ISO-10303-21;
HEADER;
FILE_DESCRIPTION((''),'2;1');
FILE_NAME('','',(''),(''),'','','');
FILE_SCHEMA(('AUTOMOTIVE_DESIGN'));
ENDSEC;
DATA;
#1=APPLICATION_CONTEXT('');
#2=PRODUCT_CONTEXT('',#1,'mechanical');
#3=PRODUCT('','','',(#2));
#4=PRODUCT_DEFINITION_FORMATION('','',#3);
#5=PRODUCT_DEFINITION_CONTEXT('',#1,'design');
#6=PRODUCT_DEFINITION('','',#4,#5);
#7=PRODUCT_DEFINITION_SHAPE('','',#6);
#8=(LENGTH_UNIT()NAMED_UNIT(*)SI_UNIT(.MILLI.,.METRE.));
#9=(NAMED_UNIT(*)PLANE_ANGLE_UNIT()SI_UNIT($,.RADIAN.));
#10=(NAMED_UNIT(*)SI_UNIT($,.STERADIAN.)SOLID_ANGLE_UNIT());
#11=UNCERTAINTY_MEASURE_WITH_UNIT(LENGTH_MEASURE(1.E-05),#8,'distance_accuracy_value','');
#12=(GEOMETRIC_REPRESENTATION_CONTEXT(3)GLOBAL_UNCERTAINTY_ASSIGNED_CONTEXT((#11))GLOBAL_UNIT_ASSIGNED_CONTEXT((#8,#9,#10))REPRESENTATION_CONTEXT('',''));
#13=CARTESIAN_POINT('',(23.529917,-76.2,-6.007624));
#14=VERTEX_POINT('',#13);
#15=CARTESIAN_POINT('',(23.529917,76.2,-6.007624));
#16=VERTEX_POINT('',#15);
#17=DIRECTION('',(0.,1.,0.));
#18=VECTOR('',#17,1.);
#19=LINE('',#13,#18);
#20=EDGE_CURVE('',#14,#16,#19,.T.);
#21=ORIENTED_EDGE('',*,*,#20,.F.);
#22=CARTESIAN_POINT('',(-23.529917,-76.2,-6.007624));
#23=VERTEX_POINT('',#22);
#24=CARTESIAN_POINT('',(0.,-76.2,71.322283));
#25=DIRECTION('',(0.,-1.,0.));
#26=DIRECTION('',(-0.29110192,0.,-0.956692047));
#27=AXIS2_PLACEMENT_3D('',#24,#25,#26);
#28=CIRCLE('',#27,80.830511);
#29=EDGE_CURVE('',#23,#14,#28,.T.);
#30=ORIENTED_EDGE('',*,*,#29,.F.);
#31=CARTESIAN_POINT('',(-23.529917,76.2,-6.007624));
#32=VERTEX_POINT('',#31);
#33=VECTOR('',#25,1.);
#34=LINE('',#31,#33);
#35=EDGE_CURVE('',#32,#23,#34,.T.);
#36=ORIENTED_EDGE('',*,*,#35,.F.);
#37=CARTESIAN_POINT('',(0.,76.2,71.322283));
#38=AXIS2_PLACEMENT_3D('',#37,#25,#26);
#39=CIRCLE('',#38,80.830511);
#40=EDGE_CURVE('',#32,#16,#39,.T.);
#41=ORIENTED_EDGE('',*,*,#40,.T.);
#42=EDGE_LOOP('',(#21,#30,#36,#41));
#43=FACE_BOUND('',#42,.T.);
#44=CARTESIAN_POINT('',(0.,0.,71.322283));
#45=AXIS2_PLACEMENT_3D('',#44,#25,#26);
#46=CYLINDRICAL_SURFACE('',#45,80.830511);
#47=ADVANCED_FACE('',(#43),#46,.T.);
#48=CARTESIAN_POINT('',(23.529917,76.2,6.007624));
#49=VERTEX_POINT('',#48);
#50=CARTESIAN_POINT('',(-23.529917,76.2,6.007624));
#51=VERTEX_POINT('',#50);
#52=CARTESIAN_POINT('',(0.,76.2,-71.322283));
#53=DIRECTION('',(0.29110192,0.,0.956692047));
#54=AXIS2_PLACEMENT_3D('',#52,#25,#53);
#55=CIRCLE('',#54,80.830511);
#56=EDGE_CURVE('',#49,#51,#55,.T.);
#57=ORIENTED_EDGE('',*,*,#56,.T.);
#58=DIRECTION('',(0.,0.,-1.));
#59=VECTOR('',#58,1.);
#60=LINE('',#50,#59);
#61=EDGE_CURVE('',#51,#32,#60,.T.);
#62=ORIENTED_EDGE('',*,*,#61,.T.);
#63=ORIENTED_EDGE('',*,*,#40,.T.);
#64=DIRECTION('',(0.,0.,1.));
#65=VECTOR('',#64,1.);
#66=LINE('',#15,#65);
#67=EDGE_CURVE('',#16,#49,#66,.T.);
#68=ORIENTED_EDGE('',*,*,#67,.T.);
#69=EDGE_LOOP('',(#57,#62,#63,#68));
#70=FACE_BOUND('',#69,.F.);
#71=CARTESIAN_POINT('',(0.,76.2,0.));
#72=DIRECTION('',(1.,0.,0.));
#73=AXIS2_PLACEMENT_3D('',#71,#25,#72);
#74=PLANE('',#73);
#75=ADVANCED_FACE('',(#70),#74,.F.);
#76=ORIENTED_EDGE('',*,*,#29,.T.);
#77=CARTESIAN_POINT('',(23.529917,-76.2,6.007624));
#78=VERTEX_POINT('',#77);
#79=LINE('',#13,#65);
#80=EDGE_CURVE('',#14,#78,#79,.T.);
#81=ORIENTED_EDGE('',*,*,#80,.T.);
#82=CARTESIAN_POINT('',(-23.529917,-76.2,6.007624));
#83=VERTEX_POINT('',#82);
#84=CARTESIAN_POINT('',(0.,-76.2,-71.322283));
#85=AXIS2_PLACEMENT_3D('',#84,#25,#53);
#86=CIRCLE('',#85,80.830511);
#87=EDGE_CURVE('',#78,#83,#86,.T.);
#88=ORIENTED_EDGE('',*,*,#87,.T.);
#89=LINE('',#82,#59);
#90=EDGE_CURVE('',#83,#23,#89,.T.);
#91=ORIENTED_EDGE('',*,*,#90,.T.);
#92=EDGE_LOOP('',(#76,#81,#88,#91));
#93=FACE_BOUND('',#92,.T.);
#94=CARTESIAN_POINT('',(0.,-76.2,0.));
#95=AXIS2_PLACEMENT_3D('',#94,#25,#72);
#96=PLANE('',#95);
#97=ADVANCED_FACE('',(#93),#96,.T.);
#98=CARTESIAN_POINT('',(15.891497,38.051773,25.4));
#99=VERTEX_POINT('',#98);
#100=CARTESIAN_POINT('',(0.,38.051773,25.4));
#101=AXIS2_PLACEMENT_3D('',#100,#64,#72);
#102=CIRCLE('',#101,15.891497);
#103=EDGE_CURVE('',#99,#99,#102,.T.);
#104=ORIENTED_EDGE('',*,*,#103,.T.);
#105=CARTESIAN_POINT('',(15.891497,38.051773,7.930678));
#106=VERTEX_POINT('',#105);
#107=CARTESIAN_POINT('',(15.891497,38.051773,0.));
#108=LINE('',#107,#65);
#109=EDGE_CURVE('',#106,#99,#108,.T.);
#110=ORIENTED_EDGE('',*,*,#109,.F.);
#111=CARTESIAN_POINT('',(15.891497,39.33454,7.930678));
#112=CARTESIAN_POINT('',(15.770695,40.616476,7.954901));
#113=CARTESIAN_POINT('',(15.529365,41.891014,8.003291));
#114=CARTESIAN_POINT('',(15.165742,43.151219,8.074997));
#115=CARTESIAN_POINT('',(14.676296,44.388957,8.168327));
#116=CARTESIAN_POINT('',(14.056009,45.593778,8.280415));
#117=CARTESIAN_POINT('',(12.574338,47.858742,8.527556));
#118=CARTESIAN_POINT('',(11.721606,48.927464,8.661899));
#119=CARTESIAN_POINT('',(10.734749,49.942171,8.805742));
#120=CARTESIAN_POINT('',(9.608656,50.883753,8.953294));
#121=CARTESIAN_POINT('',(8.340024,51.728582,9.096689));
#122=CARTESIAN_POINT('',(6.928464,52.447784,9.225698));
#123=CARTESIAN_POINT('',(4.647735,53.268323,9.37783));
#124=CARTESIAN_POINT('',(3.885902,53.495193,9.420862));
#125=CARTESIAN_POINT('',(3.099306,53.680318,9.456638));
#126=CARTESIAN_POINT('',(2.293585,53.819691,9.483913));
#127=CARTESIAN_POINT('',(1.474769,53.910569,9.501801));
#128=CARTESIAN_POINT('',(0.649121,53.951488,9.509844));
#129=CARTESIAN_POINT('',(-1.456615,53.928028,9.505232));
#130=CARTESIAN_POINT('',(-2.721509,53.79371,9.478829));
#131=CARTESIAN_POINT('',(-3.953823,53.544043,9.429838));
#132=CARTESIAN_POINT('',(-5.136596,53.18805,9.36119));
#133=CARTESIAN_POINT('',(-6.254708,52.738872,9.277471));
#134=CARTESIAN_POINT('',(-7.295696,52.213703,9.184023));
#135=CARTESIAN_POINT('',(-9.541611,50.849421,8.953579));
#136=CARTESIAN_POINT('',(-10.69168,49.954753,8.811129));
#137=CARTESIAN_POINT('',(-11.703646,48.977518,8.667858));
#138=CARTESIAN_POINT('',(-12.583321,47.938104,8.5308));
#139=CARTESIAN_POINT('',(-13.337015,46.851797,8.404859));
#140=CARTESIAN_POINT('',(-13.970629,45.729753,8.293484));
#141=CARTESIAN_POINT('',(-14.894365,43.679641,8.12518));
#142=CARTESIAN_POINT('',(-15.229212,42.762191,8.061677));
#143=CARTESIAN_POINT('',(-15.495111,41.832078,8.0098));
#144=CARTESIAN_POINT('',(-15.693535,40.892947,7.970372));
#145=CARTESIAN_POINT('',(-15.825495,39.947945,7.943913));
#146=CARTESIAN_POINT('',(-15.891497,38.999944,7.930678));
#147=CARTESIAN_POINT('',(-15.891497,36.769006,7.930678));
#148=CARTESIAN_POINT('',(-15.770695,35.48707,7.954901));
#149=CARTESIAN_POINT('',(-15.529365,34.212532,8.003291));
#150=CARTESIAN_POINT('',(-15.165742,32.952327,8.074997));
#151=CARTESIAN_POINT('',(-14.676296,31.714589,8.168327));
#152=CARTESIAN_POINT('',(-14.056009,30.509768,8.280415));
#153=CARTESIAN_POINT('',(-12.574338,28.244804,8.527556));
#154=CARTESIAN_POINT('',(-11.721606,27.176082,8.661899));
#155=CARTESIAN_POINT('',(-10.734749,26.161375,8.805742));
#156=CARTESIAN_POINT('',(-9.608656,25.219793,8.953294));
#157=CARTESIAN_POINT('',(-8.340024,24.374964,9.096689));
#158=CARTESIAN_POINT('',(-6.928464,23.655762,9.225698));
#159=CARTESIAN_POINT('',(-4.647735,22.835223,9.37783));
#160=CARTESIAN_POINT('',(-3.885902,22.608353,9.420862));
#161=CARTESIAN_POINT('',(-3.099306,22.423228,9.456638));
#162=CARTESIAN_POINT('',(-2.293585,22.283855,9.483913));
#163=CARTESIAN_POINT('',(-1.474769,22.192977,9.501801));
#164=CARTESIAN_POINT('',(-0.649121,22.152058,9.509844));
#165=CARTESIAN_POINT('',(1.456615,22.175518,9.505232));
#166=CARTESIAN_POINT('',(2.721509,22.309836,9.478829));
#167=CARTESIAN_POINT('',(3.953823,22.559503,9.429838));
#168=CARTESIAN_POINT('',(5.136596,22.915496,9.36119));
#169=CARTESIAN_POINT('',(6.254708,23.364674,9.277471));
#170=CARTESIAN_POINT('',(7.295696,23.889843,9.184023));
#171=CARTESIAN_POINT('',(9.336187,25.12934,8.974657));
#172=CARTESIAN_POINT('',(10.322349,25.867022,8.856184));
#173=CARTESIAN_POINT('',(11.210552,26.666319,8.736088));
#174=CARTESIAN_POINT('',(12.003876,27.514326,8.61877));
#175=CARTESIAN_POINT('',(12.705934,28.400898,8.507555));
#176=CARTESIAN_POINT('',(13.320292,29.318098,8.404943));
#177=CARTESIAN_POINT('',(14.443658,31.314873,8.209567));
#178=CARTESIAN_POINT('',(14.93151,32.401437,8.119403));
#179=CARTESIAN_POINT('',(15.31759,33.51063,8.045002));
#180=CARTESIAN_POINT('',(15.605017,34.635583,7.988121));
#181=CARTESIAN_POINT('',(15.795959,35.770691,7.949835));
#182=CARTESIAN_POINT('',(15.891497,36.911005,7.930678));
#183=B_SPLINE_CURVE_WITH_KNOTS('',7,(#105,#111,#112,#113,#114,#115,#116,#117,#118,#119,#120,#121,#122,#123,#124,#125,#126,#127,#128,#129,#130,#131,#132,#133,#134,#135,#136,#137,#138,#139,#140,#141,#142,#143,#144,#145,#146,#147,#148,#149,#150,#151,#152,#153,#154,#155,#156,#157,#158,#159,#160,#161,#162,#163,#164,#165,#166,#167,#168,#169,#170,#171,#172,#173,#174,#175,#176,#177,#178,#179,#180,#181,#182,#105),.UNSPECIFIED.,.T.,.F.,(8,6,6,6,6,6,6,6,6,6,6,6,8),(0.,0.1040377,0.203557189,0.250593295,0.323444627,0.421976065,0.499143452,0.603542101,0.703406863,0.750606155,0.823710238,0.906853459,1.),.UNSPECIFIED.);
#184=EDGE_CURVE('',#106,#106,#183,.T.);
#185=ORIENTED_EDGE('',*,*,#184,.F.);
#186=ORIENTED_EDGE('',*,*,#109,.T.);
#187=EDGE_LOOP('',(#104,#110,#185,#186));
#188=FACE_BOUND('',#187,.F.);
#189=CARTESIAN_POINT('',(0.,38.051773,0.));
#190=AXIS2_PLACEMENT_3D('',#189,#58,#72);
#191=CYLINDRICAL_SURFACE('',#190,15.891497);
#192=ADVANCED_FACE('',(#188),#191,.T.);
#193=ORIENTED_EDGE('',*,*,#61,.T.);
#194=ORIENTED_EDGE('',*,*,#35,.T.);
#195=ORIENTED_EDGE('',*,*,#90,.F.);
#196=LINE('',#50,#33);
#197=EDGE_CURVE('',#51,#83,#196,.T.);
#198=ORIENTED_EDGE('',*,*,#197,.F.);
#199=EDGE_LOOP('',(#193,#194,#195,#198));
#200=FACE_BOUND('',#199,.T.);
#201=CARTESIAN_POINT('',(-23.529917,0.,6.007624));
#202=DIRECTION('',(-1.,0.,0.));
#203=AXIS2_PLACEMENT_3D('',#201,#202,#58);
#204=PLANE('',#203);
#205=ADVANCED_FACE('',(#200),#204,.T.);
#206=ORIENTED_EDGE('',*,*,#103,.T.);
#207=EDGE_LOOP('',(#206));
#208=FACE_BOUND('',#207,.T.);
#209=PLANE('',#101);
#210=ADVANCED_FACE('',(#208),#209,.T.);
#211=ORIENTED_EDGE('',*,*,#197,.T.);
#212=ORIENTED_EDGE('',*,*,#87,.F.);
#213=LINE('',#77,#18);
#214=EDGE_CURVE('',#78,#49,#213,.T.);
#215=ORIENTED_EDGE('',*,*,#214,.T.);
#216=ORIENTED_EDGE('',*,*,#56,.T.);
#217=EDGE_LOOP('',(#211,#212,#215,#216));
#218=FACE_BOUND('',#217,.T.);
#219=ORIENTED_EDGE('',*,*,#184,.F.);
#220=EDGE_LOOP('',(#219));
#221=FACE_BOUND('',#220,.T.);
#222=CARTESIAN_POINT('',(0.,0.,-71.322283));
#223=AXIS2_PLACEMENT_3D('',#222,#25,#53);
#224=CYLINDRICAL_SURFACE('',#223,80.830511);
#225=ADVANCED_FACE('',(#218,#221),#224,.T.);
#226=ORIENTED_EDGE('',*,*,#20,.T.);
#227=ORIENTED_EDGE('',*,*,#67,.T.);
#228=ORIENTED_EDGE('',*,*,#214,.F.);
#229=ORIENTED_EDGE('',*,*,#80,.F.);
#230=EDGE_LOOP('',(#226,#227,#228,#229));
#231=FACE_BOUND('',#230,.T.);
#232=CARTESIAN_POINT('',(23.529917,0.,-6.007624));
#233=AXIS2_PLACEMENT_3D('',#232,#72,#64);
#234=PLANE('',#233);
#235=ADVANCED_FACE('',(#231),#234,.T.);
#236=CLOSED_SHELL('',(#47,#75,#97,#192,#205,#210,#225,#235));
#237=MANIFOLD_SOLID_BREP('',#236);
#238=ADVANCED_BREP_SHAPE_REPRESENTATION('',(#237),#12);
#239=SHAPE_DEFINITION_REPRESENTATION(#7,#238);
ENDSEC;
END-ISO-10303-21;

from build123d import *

# Parameters (mm, degrees)
F1_DEPTH = 76.2
F2_R     = 15.891497
F3_DEPTH = 25.4


with BuildPart() as f1:
    # F0 (on Front) → F1 (new body, symmetric)
    with BuildSketch(Plane.XZ):
        with BuildLine():
            ThreePointArc((23.529917, 6.007624), (0, 9.508228), (-23.529917, 6.007624))
            Line((-23.529917, 6.007624), (-23.529917, -6.007624))
            ThreePointArc((-23.529917, -6.007624), (0, -9.508228), (23.529917, -6.007624))
            Line((23.529917, -6.007624), (23.529917, 6.007624))
        make_face()
    extrude(amount=F1_DEPTH, both=True)

    # F2 (on Top) → F3 (join)
    with BuildSketch(Plane.XY):
        with Locations((0, 38.051773)):
            Circle(F2_R)
    extrude(amount=F3_DEPTH)


solid = f1.part
